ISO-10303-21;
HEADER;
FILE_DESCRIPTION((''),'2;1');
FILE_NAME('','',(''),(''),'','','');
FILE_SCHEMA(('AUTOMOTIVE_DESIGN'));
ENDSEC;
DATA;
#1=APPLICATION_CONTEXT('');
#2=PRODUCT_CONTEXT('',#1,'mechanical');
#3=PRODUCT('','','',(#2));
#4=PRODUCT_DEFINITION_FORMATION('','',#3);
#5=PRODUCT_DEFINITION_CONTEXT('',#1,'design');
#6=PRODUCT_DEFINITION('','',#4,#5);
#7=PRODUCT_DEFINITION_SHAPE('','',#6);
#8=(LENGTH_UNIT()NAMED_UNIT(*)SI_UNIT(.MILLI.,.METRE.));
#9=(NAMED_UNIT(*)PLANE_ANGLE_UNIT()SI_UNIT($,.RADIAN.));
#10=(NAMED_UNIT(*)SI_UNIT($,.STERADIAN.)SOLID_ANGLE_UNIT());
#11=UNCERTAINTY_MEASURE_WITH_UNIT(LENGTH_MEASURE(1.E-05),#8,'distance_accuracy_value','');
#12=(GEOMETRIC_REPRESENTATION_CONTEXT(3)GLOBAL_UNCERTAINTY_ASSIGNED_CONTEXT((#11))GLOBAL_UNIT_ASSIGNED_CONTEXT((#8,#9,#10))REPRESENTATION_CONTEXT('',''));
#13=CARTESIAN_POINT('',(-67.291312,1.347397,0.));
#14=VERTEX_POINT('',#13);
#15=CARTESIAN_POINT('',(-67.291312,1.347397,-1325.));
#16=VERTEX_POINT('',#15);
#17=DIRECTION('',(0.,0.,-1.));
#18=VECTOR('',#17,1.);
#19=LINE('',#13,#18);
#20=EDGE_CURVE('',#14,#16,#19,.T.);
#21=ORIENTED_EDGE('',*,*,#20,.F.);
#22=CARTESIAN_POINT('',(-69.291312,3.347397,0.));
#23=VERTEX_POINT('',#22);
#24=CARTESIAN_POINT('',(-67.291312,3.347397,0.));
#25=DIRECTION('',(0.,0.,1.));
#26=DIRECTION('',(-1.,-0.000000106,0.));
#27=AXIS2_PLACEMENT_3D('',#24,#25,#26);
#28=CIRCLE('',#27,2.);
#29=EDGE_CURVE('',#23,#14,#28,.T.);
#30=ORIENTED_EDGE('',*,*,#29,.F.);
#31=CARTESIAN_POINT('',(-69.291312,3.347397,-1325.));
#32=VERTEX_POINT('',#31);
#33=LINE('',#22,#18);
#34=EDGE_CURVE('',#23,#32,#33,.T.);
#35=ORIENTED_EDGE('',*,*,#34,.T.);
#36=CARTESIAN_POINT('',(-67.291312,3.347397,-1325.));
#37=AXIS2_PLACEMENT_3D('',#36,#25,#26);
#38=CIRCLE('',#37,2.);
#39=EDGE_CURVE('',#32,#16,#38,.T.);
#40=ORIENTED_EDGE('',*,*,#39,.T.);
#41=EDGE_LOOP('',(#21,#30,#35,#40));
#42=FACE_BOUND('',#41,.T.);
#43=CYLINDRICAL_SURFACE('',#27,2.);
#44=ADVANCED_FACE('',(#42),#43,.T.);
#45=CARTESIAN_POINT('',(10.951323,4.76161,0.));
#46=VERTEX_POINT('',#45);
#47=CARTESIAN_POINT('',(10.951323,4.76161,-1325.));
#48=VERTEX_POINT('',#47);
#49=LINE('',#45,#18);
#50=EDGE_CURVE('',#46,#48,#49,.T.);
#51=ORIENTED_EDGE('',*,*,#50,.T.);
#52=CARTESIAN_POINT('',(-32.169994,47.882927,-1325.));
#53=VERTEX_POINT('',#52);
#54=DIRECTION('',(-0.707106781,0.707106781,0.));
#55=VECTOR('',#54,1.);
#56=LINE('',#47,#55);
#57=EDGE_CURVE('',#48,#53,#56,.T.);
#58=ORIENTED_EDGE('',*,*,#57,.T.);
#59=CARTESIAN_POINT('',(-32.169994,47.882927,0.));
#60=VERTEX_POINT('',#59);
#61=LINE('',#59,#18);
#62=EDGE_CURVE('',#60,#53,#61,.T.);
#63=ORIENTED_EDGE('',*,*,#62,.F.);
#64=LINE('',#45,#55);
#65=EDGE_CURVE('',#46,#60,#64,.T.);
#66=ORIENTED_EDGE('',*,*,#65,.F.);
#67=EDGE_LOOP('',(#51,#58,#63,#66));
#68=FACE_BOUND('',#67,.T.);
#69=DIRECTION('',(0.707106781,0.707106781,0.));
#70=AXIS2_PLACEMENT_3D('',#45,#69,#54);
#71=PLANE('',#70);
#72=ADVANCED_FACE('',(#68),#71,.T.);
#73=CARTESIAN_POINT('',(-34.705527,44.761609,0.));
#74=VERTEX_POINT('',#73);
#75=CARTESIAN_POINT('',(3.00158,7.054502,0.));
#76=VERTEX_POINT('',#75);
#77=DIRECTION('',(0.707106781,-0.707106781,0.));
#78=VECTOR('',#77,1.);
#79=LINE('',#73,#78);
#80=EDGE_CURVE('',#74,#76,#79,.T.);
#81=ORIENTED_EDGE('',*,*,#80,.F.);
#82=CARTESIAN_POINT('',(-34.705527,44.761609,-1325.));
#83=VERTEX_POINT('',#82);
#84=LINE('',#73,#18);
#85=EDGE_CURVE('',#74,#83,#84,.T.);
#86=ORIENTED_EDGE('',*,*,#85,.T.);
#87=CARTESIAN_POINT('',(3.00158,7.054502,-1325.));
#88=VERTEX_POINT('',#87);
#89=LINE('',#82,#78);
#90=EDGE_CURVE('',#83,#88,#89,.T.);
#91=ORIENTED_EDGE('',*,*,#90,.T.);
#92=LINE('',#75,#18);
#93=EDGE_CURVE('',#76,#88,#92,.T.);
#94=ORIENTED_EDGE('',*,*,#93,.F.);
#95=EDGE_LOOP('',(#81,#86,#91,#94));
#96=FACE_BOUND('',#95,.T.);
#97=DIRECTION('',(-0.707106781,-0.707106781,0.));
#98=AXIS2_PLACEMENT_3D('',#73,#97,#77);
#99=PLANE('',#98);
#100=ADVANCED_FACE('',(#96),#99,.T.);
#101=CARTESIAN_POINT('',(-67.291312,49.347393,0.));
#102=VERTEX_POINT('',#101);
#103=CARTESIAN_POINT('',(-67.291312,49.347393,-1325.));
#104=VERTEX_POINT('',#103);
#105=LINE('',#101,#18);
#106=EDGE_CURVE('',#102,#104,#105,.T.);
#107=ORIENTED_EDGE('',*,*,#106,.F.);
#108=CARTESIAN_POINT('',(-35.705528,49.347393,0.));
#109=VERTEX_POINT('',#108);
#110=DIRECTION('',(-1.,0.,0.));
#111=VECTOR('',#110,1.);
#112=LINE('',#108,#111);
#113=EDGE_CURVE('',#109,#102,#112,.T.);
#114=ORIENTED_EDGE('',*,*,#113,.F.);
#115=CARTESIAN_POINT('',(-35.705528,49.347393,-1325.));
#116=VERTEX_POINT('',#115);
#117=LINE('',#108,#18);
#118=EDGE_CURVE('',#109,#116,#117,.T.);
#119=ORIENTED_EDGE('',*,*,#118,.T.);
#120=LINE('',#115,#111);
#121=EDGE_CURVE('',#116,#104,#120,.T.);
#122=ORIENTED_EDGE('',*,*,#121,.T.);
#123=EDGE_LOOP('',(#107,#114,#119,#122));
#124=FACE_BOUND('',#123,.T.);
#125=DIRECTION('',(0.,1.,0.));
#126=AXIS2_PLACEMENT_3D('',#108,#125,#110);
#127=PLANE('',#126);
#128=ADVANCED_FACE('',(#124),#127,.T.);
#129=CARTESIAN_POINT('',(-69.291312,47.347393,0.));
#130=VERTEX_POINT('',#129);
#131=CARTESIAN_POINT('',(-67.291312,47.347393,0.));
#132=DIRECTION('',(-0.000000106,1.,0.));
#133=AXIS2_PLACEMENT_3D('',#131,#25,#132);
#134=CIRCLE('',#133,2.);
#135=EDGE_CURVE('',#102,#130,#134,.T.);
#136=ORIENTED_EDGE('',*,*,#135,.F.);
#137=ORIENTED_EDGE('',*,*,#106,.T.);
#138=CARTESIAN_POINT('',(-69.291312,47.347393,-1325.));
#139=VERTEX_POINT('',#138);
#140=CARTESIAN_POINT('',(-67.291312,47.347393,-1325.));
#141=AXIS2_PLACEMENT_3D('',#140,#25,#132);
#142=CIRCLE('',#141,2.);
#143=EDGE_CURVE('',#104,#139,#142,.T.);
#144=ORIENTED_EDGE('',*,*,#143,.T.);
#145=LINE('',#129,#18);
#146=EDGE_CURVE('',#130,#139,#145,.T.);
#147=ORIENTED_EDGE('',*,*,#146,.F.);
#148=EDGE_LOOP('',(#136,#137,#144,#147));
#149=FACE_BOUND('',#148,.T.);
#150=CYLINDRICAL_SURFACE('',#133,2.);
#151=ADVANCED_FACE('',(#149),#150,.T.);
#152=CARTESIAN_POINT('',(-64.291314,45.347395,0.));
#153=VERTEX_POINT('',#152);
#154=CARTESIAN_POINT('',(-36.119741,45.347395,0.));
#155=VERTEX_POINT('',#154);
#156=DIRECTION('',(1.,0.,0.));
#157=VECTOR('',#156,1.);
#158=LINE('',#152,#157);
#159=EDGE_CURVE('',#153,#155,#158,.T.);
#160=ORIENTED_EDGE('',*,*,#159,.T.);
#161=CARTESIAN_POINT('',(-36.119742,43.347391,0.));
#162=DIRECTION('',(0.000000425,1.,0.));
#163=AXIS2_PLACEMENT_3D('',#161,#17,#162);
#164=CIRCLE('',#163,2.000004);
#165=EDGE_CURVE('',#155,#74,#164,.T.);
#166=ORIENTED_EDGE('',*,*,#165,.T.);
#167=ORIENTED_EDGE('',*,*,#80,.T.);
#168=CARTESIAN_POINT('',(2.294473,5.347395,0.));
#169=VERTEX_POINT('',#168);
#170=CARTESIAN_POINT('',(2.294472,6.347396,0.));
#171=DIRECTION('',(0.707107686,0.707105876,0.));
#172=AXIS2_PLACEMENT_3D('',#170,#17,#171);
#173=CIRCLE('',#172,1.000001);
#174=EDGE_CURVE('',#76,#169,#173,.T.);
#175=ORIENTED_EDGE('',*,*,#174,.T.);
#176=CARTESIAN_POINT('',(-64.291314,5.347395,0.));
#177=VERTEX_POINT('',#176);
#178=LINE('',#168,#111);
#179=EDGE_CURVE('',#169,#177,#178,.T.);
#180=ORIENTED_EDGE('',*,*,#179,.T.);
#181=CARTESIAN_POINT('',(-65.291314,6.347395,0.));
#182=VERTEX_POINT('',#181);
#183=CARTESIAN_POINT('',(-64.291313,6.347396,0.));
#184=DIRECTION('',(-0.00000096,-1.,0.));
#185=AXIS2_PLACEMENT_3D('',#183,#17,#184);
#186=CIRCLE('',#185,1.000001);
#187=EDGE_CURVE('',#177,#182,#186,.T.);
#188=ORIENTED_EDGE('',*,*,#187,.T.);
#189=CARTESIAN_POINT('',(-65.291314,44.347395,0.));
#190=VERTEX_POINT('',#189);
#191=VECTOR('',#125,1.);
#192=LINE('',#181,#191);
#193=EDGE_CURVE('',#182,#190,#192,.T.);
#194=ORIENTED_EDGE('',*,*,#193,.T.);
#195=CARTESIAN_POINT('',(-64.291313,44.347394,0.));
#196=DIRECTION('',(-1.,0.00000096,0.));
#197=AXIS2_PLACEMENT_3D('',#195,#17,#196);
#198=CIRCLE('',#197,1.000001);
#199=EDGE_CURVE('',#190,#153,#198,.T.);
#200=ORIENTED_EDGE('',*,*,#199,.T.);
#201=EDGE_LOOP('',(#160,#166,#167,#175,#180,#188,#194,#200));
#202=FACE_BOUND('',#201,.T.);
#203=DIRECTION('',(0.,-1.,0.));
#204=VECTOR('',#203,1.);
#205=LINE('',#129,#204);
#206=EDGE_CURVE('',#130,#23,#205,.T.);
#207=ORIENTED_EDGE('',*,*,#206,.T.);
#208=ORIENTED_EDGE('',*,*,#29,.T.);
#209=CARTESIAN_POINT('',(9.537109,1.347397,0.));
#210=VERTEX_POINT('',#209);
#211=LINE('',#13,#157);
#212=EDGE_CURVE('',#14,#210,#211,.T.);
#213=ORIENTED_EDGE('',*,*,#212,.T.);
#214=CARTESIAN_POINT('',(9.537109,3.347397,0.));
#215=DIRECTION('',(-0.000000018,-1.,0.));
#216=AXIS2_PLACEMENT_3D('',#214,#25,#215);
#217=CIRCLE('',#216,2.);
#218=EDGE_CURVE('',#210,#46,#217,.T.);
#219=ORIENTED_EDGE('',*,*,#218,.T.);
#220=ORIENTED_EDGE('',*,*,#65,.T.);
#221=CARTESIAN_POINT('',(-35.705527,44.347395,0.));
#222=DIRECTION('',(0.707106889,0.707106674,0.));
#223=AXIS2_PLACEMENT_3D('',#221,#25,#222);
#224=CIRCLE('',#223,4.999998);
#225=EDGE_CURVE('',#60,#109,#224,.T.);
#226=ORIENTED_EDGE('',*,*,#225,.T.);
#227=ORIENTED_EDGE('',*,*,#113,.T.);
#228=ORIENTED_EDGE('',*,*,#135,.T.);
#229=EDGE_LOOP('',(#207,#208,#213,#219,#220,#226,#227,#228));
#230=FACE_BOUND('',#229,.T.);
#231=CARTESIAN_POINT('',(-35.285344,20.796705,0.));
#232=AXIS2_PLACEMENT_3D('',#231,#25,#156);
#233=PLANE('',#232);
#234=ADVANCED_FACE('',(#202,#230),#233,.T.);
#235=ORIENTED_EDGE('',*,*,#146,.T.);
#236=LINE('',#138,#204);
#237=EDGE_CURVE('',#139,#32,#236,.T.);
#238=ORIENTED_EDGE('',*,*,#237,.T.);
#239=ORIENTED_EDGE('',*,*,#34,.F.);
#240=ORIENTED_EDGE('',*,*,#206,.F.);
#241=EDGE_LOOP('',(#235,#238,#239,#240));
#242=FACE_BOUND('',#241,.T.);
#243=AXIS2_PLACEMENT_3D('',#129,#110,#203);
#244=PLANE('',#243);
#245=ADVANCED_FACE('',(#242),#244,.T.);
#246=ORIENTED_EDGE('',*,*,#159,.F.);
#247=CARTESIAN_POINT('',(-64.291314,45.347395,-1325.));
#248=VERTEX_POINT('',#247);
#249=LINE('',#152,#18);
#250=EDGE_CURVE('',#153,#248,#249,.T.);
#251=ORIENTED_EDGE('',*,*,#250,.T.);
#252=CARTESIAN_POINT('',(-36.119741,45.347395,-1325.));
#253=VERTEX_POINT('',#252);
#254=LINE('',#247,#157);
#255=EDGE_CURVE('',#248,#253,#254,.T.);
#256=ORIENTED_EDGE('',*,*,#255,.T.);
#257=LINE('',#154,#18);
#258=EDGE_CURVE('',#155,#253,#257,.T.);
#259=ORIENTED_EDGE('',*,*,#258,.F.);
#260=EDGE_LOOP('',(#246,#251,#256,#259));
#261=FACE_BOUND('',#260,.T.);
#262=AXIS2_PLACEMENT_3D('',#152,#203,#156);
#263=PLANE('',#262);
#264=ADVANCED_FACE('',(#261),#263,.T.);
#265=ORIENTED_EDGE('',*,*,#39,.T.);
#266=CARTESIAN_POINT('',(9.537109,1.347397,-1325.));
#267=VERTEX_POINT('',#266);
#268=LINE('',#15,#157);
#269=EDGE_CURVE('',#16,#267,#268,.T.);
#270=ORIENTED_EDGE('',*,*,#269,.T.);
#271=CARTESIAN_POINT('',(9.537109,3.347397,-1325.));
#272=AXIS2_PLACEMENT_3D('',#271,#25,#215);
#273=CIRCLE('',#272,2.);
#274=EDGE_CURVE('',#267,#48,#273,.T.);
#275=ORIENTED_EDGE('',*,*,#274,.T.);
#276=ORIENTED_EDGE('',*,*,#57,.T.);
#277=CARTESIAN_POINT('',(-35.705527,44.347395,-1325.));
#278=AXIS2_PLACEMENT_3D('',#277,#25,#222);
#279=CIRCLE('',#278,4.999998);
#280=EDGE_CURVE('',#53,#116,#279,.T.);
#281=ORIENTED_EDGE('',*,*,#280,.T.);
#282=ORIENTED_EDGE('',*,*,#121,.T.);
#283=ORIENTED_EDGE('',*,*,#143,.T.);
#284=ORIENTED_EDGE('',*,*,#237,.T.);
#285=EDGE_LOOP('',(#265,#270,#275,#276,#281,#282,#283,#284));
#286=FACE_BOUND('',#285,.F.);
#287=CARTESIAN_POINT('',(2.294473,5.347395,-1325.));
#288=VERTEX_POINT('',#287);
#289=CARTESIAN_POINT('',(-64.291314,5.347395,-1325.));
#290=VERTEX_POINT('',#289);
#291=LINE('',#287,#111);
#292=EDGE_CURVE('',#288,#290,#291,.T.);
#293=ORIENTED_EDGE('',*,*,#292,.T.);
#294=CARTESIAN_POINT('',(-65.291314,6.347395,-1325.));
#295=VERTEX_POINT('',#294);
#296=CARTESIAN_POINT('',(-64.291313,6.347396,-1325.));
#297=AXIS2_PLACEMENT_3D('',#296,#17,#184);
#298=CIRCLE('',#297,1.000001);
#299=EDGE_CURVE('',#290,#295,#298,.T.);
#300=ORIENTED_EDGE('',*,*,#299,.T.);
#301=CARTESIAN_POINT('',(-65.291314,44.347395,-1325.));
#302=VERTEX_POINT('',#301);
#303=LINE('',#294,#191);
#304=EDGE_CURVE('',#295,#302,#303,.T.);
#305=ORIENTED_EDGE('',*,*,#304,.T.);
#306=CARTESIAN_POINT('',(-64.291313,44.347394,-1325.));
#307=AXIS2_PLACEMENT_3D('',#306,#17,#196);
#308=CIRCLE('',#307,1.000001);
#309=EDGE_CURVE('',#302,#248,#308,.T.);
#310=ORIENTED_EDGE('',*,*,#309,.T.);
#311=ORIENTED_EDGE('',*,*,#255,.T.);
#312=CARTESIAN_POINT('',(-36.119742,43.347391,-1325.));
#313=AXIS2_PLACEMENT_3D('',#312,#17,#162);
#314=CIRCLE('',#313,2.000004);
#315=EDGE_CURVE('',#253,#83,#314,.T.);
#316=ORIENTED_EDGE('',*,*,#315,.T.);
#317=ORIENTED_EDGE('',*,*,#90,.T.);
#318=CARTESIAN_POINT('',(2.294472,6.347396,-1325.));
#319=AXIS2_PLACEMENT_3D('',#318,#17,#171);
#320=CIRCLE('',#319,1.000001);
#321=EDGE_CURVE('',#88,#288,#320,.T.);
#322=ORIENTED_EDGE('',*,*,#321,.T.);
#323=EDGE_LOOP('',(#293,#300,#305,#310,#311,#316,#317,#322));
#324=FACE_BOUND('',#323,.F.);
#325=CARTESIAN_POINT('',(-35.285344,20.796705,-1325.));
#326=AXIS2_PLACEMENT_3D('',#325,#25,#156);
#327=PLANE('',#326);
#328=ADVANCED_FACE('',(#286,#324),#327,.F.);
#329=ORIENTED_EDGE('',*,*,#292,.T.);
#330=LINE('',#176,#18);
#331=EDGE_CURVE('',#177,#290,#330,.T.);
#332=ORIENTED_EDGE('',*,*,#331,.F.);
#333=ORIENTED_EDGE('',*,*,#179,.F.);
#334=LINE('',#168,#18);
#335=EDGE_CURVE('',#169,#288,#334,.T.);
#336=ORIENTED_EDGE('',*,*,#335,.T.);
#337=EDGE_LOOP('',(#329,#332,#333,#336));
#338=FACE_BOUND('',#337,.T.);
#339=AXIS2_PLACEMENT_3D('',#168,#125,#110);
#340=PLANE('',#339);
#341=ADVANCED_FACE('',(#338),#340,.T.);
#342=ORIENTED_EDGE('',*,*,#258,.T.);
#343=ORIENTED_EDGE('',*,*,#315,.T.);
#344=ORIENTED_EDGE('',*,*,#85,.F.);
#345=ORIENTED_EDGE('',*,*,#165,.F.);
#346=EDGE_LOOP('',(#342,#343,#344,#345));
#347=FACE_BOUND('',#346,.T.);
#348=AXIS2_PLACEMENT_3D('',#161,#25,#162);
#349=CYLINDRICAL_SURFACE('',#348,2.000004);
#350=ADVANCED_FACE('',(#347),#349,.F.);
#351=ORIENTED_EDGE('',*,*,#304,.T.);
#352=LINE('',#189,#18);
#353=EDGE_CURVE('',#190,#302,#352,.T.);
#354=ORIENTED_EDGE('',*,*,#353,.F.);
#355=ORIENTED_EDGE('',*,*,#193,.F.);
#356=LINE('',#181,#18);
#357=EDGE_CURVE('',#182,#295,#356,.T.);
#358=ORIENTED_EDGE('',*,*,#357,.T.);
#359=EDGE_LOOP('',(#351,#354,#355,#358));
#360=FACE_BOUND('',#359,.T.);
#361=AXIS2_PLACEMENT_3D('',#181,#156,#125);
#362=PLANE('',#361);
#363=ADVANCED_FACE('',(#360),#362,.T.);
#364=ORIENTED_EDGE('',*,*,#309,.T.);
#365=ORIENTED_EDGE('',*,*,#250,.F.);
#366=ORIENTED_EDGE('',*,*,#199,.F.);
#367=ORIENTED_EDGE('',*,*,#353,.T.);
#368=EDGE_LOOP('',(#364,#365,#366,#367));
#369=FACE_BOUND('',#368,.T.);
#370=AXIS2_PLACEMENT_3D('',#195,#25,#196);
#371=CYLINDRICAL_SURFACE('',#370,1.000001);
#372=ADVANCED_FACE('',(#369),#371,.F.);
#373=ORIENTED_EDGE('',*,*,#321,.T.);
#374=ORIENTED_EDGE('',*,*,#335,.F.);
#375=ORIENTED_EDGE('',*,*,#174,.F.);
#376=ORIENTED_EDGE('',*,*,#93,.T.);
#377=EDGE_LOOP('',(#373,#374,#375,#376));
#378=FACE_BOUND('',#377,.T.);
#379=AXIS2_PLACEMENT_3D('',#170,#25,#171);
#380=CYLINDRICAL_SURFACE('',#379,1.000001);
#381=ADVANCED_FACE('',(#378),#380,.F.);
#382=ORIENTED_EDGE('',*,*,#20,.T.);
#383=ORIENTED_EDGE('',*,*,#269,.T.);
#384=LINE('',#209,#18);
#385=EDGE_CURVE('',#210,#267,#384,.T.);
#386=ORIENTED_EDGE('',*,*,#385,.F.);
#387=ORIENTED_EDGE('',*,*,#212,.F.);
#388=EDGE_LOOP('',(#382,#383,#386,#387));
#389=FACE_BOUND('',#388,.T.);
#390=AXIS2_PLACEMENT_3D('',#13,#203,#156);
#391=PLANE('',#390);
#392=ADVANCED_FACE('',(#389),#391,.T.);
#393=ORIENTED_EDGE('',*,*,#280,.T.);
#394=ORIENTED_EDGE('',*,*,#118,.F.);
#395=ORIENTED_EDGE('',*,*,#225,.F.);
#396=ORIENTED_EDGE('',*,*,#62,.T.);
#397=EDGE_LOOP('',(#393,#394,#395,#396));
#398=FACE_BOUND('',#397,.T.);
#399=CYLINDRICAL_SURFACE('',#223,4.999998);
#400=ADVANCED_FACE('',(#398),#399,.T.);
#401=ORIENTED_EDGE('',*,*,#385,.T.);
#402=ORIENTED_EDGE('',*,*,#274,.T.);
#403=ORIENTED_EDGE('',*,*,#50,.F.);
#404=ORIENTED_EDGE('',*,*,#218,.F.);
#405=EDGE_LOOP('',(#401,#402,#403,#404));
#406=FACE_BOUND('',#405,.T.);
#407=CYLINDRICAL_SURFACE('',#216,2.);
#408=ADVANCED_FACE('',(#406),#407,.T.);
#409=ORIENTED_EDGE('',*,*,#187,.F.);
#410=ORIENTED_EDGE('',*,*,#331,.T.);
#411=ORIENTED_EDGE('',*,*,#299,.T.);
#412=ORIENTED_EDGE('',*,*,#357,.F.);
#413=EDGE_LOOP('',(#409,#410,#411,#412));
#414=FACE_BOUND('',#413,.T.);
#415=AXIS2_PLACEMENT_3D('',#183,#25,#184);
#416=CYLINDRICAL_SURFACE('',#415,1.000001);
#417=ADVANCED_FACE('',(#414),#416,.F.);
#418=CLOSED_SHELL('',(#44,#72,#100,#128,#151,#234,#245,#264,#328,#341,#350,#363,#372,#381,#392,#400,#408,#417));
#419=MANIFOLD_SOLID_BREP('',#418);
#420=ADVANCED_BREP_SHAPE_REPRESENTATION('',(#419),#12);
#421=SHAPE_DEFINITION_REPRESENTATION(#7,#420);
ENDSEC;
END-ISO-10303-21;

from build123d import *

# Parameters (mm, degrees)
F1_DEPTH = 1325


with BuildPart() as f1:
    # F0 (on Top) → F1 (new body)
    with BuildSketch(Plane.XY):
        with BuildLine():
            Line((-35.705528, 49.347393), (-67.291312, 49.347393))
            ThreePointArc((-67.291312, 49.347393), (-68.705525, 48.761607), (-69.291312, 47.347393))
            Line((-69.291312, 47.347393), (-69.291312, 3.347397))
            ThreePointArc((-69.291312, 3.347397), (-68.705525, 1.933183), (-67.291312, 1.347397))
            Line((-67.291312, 1.347397), (9.537109, 1.347397))
            ThreePointArc((9.537109, 1.347397), (11.384868, 2.58203), (10.951323, 4.76161))
            Line((10.951323, 4.76161), (-32.169994, 47.882927))
            ThreePointArc((-32.169994, 47.882927), (-33.792111, 48.966791), (-35.705528, 49.347393))
        make_face()
        with BuildLine():
            ThreePointArc((-65.291314, 44.347395), (-64.99842, 45.054502), (-64.291314, 45.347395))
            Line((-64.291314, 45.347395), (-36.119741, 45.347395))
            ThreePointArc((-36.119741, 45.347395), (-35.354374, 45.195154), (-34.705527, 44.761609))
            Line((-34.705527, 44.761609), (3.00158, 7.054502))
            ThreePointArc((3.00158, 7.054502), (3.218352, 5.964712), (2.294473, 5.347395))
            Line((2.294473, 5.347395), (-64.291314, 5.347395))
            ThreePointArc((-64.291314, 5.347395), (-64.99842, 5.640288), (-65.291314, 6.347395))
            Line((-65.291314, 6.347395), (-65.291314, 44.347395))
        make_face(mode=Mode.SUBTRACT)
    extrude(amount=-F1_DEPTH)


solid = f1.part
